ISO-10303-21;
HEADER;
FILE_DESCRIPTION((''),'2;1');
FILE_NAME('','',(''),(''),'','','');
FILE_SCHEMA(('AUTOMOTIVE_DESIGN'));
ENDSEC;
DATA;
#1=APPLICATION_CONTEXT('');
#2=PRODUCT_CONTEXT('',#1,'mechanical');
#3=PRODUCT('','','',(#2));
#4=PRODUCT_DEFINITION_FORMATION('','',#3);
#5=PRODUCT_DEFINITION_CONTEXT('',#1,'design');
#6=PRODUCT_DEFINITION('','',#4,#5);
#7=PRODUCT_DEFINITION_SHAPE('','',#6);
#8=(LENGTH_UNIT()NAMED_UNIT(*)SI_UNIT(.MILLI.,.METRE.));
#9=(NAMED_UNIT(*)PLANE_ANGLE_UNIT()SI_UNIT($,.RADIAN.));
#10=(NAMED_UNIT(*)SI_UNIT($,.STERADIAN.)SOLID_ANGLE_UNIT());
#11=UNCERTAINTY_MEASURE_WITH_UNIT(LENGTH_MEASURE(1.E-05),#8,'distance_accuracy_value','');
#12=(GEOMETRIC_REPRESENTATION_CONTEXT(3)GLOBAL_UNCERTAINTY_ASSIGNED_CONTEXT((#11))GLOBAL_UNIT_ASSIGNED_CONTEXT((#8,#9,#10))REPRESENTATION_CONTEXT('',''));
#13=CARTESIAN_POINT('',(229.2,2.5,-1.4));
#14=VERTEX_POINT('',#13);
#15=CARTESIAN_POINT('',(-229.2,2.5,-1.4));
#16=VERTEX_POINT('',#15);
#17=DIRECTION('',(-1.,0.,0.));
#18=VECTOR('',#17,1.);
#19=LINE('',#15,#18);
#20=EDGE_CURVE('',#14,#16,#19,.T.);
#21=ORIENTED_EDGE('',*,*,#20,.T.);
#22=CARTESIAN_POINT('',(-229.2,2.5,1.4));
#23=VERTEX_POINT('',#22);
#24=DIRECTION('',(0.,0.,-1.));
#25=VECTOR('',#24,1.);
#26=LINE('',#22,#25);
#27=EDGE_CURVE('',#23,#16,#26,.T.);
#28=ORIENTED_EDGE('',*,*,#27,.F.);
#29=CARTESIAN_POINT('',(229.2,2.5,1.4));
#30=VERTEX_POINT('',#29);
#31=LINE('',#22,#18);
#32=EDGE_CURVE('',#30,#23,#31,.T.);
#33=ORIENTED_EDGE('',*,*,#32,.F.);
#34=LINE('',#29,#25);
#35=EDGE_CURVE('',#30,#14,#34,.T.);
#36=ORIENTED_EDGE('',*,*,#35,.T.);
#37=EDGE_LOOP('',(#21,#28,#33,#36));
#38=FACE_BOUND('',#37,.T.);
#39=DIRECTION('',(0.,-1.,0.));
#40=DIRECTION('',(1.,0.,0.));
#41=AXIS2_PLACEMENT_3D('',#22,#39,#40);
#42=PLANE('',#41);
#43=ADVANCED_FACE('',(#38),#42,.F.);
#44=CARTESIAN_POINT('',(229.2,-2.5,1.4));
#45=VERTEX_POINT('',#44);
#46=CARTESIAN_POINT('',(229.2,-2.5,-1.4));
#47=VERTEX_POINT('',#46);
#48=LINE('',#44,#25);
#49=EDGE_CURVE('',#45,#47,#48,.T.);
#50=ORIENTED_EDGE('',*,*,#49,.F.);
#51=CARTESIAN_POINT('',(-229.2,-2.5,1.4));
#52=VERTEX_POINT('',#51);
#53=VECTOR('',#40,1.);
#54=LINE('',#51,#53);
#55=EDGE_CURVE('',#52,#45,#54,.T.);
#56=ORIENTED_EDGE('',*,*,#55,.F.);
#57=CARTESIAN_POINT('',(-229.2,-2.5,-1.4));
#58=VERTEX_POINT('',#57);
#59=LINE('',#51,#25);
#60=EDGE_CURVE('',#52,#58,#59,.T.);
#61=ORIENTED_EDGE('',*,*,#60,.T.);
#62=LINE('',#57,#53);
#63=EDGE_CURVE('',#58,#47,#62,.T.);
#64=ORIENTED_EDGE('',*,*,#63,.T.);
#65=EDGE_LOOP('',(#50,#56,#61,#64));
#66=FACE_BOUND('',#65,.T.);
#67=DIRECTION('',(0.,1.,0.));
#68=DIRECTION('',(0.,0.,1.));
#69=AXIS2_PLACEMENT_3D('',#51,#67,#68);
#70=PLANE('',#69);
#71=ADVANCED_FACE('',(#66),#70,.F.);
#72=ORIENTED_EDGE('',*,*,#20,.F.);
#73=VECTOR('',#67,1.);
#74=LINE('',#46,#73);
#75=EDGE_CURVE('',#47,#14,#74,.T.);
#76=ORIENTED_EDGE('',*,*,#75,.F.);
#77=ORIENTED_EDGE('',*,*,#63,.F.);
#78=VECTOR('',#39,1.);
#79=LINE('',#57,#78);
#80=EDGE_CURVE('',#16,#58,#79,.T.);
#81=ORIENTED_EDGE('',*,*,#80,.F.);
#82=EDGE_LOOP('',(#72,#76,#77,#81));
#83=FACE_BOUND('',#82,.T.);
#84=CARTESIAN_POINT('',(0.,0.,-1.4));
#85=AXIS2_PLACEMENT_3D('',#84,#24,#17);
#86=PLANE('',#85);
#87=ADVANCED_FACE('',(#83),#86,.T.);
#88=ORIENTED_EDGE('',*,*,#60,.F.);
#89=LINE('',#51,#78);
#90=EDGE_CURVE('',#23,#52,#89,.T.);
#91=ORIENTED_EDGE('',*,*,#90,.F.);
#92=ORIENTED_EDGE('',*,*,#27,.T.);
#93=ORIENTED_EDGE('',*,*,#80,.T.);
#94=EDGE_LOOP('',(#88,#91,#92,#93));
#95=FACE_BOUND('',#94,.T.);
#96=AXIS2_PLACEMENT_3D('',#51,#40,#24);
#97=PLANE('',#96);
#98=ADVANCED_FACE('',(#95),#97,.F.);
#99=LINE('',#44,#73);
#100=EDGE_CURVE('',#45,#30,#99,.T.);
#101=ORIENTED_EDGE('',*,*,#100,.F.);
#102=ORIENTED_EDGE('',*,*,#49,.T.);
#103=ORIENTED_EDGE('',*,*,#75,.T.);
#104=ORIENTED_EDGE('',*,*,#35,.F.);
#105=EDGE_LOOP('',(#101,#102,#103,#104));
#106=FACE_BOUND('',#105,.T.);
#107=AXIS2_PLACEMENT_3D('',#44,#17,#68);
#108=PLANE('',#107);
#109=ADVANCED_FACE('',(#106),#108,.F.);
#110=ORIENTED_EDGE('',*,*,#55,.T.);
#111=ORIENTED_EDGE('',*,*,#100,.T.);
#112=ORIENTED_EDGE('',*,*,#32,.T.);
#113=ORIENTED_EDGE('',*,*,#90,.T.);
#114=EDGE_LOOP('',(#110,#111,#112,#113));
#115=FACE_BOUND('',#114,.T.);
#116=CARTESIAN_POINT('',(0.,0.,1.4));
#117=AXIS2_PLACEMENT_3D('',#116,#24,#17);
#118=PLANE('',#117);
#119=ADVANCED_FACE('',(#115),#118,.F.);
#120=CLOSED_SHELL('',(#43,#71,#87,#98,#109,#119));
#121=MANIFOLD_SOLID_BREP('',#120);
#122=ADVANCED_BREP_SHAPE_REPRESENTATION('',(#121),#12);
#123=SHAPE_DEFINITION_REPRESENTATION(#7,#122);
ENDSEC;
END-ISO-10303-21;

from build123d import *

# Parameters (mm, degrees)
SKETCH_2_W      = 458.4
SKETCH_2_H      = 5
EXTRUDE_1_DEPTH = 1.4


with BuildPart() as part:
    # Эскиз2 → Бобышка-Вытянуть1 (new, symmetric)
    with BuildSketch(Plane.XY):
        Rectangle(SKETCH_2_W, SKETCH_2_H)
    extrude(amount=EXTRUDE_1_DEPTH, both=True)


solid = part.part
